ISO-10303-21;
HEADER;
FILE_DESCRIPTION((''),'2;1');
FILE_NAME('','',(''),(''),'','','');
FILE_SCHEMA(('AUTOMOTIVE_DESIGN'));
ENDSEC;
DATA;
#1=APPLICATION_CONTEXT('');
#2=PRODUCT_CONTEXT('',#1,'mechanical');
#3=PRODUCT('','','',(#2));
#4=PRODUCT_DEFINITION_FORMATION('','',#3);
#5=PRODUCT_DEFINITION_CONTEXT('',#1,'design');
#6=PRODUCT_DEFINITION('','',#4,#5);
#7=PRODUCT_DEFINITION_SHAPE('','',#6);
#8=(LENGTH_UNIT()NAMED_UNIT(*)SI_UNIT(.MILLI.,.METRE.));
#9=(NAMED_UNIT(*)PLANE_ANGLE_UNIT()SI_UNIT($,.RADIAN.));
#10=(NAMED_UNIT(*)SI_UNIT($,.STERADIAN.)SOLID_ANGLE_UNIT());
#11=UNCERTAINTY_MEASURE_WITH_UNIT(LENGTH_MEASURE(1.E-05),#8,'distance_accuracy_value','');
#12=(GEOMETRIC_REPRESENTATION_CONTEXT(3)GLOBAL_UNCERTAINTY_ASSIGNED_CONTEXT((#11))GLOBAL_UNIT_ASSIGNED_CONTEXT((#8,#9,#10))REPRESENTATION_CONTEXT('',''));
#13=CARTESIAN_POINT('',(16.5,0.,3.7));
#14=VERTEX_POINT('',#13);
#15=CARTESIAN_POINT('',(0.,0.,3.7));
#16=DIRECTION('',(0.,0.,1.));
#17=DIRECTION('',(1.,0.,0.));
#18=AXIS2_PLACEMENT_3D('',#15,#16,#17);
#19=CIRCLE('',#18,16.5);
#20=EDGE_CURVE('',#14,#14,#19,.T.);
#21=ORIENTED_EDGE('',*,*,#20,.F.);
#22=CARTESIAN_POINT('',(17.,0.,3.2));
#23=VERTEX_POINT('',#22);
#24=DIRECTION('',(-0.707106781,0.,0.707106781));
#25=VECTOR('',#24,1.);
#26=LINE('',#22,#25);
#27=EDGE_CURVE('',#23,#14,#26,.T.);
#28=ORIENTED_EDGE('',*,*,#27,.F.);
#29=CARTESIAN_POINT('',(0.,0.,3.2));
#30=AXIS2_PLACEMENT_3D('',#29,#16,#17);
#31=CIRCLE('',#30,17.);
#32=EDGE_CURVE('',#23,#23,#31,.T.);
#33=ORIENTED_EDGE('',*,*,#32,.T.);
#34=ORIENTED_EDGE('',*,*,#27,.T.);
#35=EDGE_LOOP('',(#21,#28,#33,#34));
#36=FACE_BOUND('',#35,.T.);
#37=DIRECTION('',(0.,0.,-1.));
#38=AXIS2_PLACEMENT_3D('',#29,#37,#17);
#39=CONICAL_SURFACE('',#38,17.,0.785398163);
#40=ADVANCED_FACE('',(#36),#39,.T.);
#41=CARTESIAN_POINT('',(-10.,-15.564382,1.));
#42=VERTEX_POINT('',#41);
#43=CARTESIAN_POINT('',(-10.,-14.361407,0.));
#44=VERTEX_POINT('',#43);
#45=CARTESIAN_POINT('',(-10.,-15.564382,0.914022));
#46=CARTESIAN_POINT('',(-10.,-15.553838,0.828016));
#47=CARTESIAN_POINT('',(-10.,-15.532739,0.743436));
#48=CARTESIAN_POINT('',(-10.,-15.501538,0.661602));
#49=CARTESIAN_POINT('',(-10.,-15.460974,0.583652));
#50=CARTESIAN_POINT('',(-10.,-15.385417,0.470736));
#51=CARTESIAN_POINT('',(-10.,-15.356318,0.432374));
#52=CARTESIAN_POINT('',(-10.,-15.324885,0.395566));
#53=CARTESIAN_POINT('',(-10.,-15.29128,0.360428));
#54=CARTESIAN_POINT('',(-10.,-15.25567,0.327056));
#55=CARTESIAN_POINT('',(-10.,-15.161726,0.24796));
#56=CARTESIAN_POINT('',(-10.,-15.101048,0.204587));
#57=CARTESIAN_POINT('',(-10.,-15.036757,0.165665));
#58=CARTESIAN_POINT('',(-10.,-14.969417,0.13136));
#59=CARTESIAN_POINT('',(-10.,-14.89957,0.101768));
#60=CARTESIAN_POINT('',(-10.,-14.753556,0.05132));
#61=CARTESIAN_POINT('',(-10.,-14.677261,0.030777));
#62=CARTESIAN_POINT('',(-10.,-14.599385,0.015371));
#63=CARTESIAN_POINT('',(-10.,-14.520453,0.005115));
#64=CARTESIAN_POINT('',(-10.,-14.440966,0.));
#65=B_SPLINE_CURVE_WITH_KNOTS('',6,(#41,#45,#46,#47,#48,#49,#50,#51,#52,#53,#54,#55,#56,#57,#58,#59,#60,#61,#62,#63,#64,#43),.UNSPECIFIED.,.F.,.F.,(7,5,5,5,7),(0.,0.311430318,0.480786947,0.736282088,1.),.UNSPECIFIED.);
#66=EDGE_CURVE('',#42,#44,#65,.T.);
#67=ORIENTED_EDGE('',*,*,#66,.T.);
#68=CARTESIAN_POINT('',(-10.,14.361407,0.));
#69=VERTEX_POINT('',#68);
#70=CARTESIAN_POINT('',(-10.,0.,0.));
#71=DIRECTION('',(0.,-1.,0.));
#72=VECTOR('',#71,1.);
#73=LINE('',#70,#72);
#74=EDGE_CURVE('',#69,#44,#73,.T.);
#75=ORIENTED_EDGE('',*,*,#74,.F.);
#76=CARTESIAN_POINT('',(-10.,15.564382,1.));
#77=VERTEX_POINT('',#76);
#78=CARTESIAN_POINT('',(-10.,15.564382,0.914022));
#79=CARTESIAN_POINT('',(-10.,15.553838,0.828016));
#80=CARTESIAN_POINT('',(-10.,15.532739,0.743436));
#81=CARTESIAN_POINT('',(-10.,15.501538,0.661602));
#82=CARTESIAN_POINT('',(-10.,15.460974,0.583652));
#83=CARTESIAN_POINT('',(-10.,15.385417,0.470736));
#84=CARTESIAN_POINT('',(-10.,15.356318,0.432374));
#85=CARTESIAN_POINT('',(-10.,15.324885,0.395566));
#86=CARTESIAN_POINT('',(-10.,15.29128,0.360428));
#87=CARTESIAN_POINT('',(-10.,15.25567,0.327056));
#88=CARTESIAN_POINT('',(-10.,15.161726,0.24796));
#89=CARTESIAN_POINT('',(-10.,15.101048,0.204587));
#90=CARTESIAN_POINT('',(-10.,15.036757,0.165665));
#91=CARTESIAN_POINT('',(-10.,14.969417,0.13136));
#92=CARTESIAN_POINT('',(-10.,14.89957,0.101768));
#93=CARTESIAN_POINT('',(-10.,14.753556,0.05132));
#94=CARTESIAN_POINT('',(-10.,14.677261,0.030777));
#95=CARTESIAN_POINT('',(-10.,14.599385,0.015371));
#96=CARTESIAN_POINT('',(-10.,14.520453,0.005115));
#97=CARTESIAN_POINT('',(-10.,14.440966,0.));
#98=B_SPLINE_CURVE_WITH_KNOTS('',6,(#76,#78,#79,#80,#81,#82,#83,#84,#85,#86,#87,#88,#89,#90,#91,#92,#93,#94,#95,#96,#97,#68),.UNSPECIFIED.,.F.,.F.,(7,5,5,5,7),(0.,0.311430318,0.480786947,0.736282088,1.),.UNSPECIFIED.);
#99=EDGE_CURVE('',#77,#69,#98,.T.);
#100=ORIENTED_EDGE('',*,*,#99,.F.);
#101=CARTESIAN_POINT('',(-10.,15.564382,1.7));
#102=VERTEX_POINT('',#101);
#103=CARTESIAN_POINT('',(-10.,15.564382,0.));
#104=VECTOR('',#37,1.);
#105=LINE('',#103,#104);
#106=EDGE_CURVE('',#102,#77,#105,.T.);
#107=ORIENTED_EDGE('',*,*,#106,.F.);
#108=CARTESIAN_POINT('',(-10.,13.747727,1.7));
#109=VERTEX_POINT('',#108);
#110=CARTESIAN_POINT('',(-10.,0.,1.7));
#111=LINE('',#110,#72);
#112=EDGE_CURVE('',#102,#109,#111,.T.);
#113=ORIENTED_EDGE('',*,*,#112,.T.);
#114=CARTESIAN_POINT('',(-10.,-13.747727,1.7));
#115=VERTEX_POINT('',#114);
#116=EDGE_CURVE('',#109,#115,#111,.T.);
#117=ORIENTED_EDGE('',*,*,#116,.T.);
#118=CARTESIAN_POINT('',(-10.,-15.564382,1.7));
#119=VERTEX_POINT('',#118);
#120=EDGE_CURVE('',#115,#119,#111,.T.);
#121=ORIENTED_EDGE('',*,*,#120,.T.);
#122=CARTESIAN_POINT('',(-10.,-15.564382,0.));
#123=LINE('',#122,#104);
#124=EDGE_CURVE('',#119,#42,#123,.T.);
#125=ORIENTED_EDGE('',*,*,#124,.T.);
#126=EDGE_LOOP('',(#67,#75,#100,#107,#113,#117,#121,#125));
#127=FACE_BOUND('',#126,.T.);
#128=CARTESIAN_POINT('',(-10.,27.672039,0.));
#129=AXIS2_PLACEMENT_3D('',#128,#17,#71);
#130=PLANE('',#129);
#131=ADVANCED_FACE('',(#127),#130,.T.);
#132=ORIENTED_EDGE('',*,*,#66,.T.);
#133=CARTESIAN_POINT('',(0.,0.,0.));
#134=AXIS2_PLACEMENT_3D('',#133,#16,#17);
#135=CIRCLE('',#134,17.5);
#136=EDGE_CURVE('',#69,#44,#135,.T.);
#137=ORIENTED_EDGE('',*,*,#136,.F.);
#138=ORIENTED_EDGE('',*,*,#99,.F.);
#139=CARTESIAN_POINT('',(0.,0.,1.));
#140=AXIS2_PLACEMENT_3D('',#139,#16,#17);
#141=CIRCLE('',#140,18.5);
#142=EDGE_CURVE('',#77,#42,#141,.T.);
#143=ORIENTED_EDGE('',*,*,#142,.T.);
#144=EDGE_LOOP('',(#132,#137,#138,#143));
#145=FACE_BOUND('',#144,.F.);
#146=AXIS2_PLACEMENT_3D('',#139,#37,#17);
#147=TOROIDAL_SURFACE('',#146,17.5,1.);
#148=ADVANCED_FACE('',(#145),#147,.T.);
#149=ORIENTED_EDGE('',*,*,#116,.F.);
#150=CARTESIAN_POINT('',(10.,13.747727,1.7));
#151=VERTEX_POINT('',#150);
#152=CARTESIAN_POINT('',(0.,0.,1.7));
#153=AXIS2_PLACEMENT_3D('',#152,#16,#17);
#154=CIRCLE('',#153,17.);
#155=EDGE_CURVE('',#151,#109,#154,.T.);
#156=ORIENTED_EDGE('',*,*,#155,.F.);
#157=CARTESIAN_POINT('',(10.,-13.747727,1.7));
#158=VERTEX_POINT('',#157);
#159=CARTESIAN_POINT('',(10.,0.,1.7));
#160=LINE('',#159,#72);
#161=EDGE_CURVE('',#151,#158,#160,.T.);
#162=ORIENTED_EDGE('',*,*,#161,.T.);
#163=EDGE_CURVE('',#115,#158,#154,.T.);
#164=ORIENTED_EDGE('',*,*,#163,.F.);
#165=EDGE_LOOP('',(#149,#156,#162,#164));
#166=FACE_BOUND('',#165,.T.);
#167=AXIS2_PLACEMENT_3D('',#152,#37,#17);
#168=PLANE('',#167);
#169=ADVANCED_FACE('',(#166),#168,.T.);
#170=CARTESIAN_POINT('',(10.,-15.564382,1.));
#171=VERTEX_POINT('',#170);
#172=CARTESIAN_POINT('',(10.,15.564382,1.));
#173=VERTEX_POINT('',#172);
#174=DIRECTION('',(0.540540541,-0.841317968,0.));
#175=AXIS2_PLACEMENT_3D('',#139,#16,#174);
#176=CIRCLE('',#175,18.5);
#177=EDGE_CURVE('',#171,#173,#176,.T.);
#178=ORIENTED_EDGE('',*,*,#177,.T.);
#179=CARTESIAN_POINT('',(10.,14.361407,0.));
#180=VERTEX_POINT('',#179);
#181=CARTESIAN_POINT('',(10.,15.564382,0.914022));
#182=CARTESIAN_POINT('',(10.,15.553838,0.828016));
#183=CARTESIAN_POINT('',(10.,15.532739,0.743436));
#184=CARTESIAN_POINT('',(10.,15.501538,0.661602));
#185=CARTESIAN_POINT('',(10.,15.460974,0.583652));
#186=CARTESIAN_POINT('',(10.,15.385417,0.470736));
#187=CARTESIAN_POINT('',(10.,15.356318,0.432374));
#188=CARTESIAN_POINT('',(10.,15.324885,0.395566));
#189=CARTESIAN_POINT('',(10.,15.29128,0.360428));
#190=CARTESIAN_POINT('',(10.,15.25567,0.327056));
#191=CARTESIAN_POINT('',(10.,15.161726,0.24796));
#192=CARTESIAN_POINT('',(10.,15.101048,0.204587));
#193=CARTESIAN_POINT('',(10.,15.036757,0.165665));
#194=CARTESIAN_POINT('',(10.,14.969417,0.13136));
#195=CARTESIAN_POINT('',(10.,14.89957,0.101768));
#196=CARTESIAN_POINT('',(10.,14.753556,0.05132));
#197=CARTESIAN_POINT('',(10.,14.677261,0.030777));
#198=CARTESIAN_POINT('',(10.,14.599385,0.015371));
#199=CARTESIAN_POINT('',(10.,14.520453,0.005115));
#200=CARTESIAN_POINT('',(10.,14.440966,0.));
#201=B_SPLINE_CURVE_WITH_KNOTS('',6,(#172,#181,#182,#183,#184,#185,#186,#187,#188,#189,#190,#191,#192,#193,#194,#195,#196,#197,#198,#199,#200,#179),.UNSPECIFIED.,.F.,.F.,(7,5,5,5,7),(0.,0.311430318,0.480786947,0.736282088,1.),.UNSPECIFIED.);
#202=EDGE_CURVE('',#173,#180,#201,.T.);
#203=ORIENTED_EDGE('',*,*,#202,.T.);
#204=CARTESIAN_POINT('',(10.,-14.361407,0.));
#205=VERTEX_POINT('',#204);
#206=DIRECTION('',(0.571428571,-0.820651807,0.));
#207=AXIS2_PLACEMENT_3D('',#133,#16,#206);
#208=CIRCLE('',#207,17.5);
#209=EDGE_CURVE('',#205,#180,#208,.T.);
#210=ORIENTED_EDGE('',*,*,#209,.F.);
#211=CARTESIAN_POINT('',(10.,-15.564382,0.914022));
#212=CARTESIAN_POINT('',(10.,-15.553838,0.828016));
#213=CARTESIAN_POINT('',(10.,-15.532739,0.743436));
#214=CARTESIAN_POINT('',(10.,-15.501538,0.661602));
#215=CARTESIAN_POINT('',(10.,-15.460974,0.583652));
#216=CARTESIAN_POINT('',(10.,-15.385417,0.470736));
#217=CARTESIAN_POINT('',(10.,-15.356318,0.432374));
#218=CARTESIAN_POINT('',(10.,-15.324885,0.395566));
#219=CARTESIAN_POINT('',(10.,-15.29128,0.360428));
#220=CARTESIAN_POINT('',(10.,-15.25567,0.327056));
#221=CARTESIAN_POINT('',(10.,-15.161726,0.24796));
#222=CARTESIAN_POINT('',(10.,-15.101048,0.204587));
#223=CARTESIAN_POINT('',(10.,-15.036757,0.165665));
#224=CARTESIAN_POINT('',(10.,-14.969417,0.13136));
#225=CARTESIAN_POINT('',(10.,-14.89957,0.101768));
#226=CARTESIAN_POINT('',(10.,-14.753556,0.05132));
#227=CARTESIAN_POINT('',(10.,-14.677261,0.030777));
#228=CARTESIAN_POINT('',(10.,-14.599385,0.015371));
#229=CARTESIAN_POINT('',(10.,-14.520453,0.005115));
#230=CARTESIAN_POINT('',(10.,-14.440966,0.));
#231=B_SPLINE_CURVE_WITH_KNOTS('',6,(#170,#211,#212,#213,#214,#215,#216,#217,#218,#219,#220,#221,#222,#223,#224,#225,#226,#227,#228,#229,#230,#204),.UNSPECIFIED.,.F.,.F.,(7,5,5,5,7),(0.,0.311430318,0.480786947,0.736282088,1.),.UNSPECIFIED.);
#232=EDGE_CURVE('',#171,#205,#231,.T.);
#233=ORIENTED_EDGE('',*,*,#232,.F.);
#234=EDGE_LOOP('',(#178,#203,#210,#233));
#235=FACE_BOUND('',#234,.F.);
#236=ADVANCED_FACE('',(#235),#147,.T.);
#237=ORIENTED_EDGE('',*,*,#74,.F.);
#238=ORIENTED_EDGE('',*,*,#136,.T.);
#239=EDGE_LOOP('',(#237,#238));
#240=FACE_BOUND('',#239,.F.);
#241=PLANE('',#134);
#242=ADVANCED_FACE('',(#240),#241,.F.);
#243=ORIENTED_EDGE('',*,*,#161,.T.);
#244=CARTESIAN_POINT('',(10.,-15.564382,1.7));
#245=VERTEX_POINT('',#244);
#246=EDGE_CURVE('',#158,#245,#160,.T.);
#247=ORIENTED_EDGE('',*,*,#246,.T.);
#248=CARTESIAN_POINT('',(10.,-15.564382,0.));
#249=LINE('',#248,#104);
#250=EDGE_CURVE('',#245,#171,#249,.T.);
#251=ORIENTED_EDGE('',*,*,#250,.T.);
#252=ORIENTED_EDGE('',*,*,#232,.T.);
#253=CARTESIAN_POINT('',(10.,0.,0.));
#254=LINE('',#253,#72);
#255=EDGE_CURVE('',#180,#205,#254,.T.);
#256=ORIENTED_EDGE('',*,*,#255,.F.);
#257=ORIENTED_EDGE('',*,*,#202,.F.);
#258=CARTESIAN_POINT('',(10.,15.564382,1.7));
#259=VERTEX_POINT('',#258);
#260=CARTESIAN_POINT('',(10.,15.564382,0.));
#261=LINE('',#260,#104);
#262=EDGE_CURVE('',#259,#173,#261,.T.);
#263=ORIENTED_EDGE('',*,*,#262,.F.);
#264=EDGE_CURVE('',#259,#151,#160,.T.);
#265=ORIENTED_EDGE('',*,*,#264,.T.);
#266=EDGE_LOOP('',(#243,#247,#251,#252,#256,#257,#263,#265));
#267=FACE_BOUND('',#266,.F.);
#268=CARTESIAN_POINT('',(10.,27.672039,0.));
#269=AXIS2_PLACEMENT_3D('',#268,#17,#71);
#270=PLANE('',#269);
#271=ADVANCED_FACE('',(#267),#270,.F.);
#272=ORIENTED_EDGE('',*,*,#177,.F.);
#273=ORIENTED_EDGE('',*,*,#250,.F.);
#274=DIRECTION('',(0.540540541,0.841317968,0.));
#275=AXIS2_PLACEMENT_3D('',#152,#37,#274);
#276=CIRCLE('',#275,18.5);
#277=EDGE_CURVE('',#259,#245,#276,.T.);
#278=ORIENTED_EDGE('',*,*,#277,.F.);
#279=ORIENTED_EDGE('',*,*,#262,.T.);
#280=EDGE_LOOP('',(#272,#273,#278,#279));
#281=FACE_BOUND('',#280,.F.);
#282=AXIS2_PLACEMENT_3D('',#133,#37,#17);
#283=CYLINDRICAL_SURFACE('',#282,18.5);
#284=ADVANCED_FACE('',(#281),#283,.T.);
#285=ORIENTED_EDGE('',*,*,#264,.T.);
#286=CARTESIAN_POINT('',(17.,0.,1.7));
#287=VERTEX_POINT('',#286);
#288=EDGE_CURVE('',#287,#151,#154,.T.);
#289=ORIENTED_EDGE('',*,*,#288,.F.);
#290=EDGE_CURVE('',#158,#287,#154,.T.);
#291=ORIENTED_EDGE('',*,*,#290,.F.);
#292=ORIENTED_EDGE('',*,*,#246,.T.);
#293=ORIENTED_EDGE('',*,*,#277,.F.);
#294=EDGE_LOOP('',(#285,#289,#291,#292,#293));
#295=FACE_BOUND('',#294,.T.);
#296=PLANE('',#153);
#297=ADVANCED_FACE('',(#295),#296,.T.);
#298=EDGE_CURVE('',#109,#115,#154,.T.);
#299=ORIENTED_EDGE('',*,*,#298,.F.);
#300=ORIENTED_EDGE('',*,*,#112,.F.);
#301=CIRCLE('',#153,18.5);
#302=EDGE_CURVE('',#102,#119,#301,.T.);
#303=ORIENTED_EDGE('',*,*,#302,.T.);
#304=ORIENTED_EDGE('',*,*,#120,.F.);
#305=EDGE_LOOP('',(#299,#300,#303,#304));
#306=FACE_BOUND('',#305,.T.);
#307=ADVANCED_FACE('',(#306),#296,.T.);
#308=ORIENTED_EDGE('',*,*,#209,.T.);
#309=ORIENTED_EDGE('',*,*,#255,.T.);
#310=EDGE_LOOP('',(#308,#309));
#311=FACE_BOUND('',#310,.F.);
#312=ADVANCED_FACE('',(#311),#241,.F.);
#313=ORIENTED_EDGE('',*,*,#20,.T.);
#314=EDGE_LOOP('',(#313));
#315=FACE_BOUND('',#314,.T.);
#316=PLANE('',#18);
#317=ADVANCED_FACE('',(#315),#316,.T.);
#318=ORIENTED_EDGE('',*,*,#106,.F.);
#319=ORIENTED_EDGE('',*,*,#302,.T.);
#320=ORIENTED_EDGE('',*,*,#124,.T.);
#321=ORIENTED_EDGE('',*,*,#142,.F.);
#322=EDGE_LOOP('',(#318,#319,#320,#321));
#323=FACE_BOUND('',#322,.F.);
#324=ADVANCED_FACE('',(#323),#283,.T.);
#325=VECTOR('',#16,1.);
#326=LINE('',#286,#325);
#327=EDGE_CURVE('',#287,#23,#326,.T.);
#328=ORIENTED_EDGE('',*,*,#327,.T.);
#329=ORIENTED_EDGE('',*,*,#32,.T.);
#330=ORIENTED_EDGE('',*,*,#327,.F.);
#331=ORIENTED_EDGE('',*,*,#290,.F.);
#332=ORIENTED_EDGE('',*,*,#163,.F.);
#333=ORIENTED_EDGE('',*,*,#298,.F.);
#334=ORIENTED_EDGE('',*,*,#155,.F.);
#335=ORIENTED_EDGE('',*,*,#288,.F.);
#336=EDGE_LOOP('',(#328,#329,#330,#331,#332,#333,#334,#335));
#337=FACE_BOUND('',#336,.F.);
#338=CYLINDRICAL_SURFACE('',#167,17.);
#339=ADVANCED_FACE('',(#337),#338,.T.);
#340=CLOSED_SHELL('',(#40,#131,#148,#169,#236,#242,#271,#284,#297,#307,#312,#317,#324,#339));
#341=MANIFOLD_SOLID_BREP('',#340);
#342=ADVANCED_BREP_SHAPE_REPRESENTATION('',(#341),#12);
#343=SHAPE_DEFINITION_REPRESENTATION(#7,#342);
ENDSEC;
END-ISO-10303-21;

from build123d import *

# Parameters (mm, degrees)
F0_R     = 18.5
F1_DEPTH = 1.7
F2_R     = 17
F3_DEPTH = 2
F4_SIZE  = 0.5
F5_R     = 1
F6_W     = 20
F6_H     = 55.344078
F7_DEPTH = 1.7


with BuildPart() as f1:
    # F0 (on Top) → F1 (new body)
    with BuildSketch(Plane.XY):
        Circle(F0_R)
    extrude(amount=F1_DEPTH)

    # F2 (on face) → F3 (join)
    with BuildSketch(Plane.XY.offset(1.7)):
        Circle(F2_R)
    extrude(amount=F3_DEPTH)

    # F4
    f4_edges = [f1.edges().sort_by_distance(p)[0] for p in [
        (-17, 0, 3.7),
    ]]
    chamfer(f4_edges, length=F4_SIZE)

    # F5
    f5_edges = [f1.edges().sort_by_distance(p)[0] for p in [
        (-18.5, 0, 0),
    ]]
    fillet(f5_edges, radius=F5_R)

    # F6 (on face) → F7 (cut)
    with BuildSketch(Plane(origin=(0, 0, 0), x_dir=(1, 0, 0), z_dir=(0, 0, -1))):
        Rectangle(F6_W, F6_H)
    extrude(amount=-F7_DEPTH, mode=Mode.SUBTRACT)


solid = f1.part
